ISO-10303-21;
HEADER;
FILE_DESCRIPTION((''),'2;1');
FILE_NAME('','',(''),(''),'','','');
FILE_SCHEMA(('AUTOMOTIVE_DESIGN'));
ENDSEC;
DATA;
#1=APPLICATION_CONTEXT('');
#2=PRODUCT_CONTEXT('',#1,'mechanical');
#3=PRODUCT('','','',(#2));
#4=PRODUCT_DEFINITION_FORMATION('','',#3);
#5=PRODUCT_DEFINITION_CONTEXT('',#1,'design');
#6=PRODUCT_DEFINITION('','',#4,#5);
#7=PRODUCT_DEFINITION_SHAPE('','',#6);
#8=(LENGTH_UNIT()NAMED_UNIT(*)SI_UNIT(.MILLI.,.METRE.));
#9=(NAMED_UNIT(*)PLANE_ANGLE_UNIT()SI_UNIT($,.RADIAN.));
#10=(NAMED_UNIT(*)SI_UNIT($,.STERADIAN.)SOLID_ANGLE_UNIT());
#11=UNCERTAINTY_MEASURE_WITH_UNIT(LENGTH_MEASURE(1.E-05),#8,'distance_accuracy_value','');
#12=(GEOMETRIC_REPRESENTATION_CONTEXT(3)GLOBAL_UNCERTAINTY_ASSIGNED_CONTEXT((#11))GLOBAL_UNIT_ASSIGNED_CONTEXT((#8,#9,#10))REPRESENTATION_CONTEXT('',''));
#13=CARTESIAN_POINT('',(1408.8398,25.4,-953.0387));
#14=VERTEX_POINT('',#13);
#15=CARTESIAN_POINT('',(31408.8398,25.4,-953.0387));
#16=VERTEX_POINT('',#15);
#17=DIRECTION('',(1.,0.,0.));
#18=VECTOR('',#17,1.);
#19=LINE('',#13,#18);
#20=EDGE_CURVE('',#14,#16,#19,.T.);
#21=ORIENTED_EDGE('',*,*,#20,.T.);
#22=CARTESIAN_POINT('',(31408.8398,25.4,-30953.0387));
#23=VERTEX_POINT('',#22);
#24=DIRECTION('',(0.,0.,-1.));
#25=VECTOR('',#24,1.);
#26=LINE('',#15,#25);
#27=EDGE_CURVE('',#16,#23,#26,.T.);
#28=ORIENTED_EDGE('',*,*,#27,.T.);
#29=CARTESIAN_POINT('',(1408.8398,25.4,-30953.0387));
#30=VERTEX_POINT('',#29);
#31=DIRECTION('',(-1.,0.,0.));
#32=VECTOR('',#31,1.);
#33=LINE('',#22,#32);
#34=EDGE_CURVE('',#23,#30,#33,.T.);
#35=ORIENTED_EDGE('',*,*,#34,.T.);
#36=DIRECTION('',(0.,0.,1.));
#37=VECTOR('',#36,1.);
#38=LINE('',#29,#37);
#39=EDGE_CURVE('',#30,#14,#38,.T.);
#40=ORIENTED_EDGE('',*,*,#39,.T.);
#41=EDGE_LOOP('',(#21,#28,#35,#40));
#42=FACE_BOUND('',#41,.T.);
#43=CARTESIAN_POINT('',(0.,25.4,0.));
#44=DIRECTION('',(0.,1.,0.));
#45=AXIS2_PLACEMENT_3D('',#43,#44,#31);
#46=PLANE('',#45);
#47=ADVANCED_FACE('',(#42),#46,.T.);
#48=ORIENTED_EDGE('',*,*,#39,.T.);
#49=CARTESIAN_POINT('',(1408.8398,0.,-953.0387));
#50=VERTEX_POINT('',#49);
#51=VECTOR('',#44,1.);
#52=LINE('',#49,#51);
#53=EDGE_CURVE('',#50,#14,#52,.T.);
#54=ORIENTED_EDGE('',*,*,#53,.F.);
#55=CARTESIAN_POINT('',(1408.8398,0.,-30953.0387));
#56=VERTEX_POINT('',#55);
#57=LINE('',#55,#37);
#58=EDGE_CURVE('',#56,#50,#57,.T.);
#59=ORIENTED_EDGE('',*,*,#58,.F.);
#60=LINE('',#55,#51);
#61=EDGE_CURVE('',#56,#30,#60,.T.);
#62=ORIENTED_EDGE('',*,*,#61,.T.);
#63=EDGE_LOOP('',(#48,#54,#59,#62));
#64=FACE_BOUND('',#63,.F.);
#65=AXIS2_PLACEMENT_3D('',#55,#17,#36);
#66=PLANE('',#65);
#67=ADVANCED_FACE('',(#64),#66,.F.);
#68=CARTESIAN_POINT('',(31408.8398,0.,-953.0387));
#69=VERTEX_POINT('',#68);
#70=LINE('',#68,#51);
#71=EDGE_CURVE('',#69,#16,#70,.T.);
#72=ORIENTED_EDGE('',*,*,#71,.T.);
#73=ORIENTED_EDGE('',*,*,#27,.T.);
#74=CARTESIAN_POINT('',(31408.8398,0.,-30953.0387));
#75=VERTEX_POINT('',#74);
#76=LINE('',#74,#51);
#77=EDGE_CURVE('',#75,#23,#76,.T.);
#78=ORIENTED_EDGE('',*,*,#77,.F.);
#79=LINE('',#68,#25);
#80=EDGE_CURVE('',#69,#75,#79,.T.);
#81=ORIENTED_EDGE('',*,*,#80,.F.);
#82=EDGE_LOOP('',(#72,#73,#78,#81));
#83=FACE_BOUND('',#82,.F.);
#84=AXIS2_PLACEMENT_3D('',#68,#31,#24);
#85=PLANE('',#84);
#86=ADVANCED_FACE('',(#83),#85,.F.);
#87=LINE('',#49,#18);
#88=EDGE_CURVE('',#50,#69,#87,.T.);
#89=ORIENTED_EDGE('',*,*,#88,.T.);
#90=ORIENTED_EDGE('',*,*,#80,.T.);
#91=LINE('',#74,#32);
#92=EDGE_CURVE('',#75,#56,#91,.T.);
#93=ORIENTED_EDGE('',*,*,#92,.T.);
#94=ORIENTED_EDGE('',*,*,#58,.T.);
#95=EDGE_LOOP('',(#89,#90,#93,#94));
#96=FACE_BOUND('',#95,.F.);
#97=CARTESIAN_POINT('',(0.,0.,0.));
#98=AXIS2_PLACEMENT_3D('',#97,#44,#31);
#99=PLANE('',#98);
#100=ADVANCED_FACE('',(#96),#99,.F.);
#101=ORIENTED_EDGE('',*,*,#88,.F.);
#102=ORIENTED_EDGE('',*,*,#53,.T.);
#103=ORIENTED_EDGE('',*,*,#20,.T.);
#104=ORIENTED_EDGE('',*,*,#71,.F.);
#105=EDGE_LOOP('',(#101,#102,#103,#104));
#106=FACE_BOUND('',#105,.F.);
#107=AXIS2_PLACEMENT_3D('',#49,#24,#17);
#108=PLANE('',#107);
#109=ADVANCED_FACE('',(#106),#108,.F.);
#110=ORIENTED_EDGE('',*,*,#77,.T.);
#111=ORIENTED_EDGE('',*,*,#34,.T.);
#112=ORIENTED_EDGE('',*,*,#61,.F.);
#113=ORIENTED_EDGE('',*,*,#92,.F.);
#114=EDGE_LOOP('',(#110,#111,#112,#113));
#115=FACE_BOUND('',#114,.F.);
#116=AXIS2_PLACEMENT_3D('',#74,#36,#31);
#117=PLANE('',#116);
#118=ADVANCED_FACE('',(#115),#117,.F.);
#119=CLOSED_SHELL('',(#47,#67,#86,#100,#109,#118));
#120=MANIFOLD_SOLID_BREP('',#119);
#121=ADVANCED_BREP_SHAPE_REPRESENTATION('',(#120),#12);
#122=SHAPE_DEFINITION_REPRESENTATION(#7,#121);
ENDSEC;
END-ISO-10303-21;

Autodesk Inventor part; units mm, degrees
ref_plane "YZ Plane" through (0, 0, 0) normal (1, 0, 0) x (0, 1, 0)
ref_plane "XZ Plane" through (0, 0, 0) normal (0, 1, 0) x (-1, 0, 0)
ref_plane "XY Plane" through (0, 0, 0) normal (0, 0, 1) x (1, 0, 0)
sketch "Sketch1" plane through (0, 0, 0) normal (0, 1, 0) x (-1, 0, 0)
  line L0 (-1408.8398, -953.0387) -> (-31408.8398, -953.0387)
  line L1 (-31408.8398, -953.0387) -> (-31408.8398, -30953.0387)
  line L2 (-31408.8398, -30953.0387) -> (-1408.8398, -30953.0387)
  line L3 (-1408.8398, -30953.0387) -> (-1408.8398, -953.0387)
  point P0 (0, 0)
  dimension "d0" = 30000
  dimension "d1" = 30000
extrude "Extrusion1" add sketch "Sketch1" along normal blind 25.4
